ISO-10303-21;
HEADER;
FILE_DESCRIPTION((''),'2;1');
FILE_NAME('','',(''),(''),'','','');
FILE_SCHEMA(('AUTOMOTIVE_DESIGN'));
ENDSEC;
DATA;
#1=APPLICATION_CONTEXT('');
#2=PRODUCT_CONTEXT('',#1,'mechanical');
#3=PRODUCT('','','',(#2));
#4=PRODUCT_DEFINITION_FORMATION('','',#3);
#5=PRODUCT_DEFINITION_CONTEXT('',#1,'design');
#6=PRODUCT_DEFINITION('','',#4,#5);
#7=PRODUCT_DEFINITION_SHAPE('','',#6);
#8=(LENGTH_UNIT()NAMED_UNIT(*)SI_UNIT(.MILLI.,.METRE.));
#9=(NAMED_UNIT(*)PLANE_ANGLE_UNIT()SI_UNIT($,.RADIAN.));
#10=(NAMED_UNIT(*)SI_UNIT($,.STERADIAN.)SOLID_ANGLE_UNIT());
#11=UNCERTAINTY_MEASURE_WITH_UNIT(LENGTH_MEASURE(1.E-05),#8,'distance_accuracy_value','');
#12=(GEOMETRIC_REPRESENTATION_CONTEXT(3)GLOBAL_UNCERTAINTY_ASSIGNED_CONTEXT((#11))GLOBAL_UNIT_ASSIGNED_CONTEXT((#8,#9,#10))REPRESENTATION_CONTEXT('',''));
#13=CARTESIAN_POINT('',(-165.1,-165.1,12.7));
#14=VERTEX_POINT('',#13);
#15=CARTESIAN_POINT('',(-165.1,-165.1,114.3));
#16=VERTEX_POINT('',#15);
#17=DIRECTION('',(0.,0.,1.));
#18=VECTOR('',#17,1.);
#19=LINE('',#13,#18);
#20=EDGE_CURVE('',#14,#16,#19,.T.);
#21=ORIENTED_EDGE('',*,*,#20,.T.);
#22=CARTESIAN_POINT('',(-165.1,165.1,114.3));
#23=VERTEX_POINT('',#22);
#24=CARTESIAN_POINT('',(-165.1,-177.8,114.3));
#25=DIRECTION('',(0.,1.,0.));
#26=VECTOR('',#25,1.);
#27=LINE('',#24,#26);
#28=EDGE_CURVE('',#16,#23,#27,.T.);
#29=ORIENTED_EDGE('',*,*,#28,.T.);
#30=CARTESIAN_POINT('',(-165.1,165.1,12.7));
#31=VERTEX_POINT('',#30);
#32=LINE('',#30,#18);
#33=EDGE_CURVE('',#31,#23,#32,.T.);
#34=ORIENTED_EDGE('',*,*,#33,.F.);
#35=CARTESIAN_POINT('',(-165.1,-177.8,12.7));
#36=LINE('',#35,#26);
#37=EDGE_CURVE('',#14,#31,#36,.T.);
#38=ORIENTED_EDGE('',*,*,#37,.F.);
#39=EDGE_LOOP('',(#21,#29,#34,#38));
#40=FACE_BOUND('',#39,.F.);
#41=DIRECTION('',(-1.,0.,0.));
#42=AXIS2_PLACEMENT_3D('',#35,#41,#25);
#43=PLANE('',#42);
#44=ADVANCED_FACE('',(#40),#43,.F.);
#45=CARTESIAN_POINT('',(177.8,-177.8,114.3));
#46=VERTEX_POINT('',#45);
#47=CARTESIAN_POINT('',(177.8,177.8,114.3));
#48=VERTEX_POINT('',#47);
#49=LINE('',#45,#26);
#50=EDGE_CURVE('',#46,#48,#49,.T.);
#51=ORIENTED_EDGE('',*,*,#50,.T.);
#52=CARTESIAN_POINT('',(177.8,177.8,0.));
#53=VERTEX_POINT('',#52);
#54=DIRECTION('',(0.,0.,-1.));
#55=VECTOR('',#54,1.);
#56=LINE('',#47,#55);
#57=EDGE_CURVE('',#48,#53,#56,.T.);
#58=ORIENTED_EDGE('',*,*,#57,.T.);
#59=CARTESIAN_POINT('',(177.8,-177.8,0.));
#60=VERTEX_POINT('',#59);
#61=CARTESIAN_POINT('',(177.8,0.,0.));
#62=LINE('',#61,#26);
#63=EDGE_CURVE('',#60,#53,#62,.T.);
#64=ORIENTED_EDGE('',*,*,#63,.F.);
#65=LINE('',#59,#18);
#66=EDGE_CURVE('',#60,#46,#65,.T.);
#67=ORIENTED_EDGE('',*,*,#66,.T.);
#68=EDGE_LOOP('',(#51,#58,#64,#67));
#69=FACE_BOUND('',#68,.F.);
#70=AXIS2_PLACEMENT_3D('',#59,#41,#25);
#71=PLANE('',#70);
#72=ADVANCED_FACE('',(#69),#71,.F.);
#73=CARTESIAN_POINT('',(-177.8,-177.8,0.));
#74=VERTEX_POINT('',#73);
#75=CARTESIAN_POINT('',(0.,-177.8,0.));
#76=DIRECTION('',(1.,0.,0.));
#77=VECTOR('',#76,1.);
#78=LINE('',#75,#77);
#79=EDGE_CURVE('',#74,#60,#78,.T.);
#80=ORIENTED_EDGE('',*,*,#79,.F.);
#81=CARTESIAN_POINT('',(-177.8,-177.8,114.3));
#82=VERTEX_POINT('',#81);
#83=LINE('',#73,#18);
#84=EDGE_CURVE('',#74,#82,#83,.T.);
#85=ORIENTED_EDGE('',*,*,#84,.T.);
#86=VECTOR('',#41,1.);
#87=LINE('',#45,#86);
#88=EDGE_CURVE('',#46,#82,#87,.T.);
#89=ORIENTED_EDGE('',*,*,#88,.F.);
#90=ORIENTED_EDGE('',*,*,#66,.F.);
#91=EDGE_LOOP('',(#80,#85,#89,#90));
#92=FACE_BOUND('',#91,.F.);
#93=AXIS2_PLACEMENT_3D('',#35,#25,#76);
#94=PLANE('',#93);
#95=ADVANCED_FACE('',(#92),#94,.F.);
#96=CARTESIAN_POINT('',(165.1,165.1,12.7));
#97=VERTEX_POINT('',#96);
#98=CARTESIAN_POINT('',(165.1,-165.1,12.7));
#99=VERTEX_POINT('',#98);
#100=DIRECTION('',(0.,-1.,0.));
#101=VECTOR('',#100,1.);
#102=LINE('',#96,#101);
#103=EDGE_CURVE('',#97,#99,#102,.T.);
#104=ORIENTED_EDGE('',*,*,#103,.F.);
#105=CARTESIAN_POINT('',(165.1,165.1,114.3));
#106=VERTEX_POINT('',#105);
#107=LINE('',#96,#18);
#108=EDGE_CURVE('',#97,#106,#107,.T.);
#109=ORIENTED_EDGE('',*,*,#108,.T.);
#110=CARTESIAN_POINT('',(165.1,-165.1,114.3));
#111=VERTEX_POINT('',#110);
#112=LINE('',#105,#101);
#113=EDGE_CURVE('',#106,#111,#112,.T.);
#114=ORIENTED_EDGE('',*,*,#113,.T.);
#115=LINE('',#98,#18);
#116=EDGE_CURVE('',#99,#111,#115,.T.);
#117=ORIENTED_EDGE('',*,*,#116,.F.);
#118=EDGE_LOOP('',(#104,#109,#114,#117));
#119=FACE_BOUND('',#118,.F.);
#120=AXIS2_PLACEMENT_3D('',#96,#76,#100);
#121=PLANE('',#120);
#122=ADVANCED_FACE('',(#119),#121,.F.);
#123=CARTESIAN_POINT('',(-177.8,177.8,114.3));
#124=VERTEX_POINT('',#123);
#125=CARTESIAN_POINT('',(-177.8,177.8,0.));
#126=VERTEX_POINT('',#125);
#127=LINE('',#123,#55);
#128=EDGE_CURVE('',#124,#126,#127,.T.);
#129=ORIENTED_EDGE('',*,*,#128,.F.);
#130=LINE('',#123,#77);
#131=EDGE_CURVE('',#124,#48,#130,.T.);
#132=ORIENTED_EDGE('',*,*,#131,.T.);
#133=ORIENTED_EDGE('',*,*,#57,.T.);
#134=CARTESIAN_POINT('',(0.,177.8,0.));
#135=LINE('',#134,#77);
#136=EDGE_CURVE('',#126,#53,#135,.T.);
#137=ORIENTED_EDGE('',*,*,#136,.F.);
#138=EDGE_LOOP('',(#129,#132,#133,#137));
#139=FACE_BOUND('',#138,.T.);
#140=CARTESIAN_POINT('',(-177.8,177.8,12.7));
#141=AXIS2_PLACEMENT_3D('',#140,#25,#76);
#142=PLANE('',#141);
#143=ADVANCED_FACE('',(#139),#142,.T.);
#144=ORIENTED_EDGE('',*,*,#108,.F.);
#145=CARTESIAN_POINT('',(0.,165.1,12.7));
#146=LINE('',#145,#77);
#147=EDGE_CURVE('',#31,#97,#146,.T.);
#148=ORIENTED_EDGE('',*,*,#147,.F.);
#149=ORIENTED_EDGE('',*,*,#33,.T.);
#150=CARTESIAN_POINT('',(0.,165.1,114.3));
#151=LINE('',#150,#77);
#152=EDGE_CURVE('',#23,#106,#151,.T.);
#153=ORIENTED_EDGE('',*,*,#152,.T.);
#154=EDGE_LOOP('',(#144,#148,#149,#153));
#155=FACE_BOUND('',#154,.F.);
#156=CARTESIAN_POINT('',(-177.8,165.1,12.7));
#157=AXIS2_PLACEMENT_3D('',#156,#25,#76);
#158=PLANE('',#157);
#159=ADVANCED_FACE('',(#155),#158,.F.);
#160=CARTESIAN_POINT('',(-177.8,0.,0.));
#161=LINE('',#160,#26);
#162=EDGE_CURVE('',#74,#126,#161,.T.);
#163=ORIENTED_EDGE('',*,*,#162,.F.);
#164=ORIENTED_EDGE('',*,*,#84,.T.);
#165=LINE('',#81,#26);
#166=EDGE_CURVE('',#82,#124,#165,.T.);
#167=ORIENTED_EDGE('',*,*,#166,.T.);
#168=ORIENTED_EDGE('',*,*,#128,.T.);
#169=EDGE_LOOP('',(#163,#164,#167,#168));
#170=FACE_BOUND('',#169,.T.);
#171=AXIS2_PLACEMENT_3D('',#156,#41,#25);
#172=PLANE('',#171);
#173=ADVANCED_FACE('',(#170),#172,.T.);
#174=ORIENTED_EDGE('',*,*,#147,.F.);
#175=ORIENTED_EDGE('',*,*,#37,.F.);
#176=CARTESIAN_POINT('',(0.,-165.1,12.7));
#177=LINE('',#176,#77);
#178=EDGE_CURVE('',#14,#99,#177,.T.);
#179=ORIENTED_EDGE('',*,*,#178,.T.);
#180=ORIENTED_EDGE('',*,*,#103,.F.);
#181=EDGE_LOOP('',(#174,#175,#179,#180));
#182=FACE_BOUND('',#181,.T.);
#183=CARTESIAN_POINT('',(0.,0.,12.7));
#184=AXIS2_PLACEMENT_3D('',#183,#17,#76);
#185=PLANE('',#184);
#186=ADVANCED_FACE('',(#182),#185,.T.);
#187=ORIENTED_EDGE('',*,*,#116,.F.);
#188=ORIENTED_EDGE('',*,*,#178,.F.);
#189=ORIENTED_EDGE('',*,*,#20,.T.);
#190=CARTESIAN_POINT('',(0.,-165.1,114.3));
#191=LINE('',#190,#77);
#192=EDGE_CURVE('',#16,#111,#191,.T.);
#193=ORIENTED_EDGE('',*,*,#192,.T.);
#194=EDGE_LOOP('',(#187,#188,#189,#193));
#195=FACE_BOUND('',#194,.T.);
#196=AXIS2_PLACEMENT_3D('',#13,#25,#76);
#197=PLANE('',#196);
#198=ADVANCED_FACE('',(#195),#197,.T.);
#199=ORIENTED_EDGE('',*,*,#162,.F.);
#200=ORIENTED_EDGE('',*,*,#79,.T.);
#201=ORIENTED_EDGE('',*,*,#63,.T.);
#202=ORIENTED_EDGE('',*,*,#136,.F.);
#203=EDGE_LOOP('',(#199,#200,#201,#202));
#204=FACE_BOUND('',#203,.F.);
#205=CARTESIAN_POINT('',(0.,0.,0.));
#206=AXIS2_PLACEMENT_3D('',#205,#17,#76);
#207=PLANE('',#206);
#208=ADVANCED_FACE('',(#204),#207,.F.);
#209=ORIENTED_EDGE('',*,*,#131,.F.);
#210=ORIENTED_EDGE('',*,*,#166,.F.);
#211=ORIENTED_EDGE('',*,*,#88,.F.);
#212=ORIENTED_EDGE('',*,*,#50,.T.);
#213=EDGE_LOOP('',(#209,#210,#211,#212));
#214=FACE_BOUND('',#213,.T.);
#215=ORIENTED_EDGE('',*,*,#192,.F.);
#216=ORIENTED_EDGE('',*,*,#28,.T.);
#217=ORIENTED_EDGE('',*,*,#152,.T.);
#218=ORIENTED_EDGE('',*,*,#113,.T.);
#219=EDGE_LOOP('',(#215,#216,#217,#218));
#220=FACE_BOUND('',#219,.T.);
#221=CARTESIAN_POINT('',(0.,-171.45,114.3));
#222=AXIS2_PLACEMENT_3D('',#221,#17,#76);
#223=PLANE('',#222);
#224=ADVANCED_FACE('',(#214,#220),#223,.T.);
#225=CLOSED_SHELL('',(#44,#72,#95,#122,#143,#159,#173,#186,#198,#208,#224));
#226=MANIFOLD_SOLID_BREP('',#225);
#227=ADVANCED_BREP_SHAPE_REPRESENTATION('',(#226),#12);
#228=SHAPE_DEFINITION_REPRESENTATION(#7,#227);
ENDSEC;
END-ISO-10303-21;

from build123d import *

# Parameters (mm, degrees)
F0_W     = 355.6
F0_H     = 355.6
F1_DEPTH = 12.7
F2_W     = 355.6
F2_H     = 12.7
F4_DEPTH = 101.6
F5_W     = 330.2
F5_H     = 12.7
F6_DEPTH = 101.6


with BuildPart() as f1:
    # F0 (on Top) → F1 (new body)
    with BuildSketch(Plane.XY):
        Rectangle(F0_W, F0_H)
    extrude(amount=F1_DEPTH)

    # F2 (on face) + F3 (on face) → F4 (join)
    with BuildSketch(Plane.XY.offset(12.7)):
        with Locations((0, 171.45)):
            Rectangle(F2_W, F2_H)
    with BuildSketch(Plane.XY.offset(12.7)):
        Polygon((-165.1, -177.8), (-165.1, 177.8), (-177.8, 177.8), (-177.8, -165.1), (-177.8, -177.8), align=None)
        Polygon((177.8, -177.8), (177.8, 165.1), (165.1, 165.1), (165.1, -165.1), (165.1, -177.8), align=None)
    extrude(amount=F4_DEPTH)

    # F5 (on face) → F6 (join)
    with BuildSketch(Plane.XY.offset(12.7)):
        with Locations((0, -171.45)):
            Rectangle(F5_W, F5_H)
    extrude(amount=F6_DEPTH)


solid = f1.part
